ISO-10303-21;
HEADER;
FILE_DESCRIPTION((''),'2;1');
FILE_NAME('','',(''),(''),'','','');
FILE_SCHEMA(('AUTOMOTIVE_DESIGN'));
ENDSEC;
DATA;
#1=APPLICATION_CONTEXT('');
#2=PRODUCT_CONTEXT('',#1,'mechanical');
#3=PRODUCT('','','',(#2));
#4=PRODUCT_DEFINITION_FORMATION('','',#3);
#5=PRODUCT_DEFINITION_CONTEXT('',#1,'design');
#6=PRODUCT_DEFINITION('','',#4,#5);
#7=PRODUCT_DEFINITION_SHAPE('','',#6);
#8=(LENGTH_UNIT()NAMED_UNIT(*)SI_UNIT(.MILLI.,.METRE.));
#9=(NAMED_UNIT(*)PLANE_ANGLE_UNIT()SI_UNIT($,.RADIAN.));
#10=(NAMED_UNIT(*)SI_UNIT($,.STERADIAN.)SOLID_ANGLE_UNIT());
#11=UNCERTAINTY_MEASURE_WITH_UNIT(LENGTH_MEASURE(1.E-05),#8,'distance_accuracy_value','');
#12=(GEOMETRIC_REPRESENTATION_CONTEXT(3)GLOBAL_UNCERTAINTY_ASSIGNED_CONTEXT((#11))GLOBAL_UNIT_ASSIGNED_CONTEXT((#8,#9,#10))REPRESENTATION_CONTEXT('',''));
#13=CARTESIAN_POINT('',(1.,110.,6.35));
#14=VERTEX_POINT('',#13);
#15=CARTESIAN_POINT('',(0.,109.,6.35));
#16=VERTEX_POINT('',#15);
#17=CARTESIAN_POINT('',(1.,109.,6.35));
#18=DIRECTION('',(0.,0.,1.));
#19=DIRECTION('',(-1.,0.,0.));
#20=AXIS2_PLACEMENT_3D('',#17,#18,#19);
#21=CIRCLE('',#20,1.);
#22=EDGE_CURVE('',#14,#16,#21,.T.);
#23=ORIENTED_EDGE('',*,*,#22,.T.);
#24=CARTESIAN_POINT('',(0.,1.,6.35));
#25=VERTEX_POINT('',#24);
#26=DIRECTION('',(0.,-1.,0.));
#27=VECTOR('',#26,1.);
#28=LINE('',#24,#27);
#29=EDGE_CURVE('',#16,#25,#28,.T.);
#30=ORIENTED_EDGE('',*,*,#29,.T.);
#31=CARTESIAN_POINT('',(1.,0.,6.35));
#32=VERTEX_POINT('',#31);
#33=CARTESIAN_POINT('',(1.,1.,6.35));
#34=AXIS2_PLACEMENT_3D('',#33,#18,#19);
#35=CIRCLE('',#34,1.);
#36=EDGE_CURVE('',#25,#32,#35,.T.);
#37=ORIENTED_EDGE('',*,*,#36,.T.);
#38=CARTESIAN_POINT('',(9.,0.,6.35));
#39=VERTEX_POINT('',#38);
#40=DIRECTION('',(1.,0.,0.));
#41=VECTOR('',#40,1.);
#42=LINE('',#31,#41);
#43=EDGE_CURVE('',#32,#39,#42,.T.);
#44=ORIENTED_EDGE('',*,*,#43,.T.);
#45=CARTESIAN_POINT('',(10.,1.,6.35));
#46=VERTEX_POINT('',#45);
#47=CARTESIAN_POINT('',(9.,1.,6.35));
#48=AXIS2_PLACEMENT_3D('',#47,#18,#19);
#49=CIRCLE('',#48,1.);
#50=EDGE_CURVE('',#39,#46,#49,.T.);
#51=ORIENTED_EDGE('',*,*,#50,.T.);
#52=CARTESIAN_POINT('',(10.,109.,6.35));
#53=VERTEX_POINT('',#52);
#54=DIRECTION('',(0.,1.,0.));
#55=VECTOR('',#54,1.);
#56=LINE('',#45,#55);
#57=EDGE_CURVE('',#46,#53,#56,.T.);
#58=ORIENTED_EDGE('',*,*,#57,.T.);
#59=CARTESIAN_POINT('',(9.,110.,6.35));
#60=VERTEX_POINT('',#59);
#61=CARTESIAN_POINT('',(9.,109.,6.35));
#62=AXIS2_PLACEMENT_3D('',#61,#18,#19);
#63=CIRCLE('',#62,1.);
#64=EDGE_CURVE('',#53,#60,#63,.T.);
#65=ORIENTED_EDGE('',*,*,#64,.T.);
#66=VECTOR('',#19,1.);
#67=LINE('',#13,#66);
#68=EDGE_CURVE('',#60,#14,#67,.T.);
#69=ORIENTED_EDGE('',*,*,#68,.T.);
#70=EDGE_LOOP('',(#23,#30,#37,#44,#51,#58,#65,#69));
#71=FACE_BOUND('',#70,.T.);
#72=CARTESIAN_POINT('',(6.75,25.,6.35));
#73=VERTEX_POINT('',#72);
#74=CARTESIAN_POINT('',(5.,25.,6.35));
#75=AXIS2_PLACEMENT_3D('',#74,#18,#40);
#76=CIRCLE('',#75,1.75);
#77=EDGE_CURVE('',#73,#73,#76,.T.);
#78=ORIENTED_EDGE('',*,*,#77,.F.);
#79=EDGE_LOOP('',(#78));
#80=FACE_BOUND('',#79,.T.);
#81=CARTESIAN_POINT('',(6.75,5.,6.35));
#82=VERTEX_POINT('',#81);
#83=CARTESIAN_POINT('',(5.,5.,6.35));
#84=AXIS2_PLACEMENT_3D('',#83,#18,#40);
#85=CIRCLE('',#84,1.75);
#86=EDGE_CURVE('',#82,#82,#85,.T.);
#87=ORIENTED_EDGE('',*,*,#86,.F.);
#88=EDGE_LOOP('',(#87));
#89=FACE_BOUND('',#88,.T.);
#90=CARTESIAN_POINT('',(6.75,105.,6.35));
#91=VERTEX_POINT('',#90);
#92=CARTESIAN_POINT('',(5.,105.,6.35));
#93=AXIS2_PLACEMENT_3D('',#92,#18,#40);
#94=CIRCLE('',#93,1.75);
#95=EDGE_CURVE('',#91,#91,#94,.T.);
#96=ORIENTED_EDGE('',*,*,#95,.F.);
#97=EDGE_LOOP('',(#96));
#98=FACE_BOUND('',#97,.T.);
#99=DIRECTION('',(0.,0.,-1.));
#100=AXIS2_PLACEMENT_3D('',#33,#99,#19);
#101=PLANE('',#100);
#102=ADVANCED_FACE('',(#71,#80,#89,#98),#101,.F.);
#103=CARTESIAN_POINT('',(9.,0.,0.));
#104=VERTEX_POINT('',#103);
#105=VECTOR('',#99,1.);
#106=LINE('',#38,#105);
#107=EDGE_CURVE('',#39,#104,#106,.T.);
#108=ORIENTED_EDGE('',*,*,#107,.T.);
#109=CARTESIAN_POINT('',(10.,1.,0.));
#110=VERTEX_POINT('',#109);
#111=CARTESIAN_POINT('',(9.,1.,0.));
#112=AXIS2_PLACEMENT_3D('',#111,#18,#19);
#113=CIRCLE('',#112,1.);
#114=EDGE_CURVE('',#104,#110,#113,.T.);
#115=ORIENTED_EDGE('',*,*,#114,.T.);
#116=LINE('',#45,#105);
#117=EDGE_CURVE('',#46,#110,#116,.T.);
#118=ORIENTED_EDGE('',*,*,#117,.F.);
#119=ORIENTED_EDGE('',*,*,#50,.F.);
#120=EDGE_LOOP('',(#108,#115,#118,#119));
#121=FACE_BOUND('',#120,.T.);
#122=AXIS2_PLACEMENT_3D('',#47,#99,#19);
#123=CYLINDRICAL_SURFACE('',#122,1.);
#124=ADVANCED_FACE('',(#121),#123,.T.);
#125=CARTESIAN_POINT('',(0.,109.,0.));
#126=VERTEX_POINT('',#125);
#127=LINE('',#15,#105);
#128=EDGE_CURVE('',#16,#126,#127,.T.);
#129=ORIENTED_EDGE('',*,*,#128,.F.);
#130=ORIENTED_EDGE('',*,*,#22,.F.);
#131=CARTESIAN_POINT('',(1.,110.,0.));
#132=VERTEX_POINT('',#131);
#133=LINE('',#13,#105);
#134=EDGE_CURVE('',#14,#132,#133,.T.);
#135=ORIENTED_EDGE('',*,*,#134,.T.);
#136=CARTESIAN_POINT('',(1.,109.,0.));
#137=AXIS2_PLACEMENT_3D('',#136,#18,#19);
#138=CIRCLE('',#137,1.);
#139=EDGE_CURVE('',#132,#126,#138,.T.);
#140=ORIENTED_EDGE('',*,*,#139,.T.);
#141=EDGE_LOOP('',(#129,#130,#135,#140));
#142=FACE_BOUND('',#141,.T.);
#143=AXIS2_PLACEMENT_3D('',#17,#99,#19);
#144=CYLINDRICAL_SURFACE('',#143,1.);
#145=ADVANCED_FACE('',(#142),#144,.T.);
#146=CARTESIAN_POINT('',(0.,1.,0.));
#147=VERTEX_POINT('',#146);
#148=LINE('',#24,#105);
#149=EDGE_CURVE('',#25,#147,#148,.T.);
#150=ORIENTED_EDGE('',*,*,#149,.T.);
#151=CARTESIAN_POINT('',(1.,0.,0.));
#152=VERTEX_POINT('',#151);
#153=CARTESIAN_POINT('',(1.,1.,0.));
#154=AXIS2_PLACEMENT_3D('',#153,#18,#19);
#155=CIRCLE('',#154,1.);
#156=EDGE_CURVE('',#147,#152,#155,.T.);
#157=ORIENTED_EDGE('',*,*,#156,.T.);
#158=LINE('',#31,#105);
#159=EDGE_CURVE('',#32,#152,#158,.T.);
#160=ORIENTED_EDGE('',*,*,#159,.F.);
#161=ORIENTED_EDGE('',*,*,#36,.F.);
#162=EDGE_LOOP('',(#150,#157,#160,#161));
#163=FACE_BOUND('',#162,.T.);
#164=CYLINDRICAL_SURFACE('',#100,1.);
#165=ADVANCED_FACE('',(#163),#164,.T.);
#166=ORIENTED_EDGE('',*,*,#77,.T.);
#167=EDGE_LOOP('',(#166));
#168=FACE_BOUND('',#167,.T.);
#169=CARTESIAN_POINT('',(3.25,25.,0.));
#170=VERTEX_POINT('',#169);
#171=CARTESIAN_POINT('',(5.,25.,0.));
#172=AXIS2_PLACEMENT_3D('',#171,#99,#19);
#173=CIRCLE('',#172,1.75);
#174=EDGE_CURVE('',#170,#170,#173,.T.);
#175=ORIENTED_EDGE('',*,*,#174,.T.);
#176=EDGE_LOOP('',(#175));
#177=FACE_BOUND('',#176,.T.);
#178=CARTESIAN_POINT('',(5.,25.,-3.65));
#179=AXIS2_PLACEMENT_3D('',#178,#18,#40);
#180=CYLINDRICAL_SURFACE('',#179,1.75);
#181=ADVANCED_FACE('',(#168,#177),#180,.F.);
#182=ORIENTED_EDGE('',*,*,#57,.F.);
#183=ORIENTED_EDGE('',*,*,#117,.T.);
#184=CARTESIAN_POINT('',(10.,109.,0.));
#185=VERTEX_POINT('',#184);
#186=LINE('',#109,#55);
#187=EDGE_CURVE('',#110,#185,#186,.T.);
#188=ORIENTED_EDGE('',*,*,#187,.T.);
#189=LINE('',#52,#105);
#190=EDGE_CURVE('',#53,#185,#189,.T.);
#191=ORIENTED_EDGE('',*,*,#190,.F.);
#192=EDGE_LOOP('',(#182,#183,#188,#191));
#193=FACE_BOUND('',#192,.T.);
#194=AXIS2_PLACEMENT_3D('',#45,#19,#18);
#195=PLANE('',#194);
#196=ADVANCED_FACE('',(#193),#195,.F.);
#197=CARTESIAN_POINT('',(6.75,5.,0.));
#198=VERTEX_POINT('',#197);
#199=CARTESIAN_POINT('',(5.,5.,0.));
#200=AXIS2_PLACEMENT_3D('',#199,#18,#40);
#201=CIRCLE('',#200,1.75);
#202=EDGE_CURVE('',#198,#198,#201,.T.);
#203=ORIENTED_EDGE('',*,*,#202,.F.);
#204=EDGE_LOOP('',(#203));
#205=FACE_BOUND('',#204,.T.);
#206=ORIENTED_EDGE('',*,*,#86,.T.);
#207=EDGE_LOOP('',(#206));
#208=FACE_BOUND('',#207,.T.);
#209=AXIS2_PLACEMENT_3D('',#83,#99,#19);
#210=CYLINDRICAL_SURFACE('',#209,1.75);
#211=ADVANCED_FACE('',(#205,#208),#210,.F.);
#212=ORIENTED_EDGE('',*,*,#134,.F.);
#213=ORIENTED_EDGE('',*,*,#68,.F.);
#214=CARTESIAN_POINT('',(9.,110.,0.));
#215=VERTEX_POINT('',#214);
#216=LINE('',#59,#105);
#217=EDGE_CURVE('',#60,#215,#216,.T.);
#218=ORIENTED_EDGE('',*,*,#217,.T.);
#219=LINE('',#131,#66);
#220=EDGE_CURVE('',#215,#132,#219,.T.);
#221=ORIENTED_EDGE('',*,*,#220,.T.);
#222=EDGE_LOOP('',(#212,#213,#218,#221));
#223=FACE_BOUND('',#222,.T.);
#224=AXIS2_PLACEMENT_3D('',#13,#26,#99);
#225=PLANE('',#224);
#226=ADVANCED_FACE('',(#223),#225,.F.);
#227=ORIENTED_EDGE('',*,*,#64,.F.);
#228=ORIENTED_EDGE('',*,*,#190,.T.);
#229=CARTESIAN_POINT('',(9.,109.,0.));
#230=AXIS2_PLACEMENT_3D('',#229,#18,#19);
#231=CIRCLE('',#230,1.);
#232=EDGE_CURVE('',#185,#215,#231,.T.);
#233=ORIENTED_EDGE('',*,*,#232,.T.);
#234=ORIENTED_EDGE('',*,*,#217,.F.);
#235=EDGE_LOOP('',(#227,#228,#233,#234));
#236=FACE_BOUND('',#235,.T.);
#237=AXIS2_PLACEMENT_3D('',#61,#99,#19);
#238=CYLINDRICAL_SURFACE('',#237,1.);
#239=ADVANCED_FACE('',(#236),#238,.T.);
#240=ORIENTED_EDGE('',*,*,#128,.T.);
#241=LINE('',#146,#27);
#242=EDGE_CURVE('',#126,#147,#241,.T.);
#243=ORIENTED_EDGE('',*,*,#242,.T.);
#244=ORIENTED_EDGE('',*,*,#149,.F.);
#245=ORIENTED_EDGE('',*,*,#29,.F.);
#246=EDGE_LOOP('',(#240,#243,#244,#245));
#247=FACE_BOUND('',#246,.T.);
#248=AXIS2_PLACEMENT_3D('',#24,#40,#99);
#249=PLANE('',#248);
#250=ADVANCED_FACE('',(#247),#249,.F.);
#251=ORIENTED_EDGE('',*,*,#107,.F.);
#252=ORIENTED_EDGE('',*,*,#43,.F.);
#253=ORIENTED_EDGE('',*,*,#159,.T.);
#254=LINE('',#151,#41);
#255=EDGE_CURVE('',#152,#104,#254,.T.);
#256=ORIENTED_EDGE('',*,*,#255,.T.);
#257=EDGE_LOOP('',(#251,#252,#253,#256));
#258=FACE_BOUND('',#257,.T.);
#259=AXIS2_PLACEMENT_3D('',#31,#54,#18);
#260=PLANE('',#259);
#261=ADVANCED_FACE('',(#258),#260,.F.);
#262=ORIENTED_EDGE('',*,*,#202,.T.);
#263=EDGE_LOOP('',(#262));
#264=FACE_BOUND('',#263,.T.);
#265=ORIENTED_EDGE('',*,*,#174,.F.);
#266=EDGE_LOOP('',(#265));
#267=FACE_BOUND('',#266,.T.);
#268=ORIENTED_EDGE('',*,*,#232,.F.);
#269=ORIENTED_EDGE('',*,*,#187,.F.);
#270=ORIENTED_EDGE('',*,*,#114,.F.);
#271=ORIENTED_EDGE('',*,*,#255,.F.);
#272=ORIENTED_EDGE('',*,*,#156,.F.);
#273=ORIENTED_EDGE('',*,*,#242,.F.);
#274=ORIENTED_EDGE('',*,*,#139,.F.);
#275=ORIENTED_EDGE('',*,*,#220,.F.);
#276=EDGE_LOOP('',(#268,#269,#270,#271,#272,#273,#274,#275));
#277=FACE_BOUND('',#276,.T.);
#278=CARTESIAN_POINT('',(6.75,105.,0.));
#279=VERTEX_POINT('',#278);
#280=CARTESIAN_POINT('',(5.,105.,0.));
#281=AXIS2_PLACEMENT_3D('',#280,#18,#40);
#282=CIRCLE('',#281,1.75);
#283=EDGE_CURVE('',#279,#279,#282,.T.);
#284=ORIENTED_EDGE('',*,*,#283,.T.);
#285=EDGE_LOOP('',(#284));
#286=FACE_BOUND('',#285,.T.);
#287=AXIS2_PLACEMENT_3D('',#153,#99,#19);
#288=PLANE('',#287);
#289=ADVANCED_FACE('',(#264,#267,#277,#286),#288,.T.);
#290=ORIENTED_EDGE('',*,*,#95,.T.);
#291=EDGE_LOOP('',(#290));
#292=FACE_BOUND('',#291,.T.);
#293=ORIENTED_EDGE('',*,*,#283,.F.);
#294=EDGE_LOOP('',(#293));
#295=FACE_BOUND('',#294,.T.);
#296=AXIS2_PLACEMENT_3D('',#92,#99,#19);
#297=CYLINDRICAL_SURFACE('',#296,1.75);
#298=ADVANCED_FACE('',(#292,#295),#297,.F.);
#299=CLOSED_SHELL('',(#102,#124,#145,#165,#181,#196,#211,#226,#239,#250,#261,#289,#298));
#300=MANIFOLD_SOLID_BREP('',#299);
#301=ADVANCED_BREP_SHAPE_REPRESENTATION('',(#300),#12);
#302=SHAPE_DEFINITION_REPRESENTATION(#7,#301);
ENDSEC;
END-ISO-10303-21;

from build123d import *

# Parameters (mm, degrees)
SKETCH1_R           = 1.75
BOSS_EXTRUDE1_DEPTH = 6.35
SKETCH2_R           = 1.75
CUT_EXTRUDE1_DEPTH  = 10


with BuildPart() as part:
    # Sketch1 → Boss-Extrude1 (new body)
    with BuildSketch(Plane.XY):
        with BuildLine():
            Line((0, 1), (0, 109))
            ThreePointArc((0, 109), (0.292893219, 109.707106781), (1, 110))
            Line((1, 110), (9, 110))
            ThreePointArc((9, 110), (9.707106781, 109.707106781), (10, 109))
            Line((10, 109), (10, 1))
            ThreePointArc((10, 1), (9.707106781, 0.292893219), (9, 0))
            Line((9, 0), (1, 0))
            ThreePointArc((1, 0), (0.292893219, 0.292893219), (0, 1))
        make_face()
        with Locations((5, 105)):
            Circle(SKETCH1_R, mode=Mode.SUBTRACT)
        with Locations((5, 5)):
            Circle(SKETCH1_R, mode=Mode.SUBTRACT)
    extrude(amount=BOSS_EXTRUDE1_DEPTH)

    # Sketch2 → Cut-Extrude1 (cut)
    with BuildSketch(Plane.XY.offset(6.35)):
        with Locations((5, 25)):
            Circle(SKETCH2_R)
    extrude(amount=-CUT_EXTRUDE1_DEPTH, mode=Mode.SUBTRACT)


solid = part.part
